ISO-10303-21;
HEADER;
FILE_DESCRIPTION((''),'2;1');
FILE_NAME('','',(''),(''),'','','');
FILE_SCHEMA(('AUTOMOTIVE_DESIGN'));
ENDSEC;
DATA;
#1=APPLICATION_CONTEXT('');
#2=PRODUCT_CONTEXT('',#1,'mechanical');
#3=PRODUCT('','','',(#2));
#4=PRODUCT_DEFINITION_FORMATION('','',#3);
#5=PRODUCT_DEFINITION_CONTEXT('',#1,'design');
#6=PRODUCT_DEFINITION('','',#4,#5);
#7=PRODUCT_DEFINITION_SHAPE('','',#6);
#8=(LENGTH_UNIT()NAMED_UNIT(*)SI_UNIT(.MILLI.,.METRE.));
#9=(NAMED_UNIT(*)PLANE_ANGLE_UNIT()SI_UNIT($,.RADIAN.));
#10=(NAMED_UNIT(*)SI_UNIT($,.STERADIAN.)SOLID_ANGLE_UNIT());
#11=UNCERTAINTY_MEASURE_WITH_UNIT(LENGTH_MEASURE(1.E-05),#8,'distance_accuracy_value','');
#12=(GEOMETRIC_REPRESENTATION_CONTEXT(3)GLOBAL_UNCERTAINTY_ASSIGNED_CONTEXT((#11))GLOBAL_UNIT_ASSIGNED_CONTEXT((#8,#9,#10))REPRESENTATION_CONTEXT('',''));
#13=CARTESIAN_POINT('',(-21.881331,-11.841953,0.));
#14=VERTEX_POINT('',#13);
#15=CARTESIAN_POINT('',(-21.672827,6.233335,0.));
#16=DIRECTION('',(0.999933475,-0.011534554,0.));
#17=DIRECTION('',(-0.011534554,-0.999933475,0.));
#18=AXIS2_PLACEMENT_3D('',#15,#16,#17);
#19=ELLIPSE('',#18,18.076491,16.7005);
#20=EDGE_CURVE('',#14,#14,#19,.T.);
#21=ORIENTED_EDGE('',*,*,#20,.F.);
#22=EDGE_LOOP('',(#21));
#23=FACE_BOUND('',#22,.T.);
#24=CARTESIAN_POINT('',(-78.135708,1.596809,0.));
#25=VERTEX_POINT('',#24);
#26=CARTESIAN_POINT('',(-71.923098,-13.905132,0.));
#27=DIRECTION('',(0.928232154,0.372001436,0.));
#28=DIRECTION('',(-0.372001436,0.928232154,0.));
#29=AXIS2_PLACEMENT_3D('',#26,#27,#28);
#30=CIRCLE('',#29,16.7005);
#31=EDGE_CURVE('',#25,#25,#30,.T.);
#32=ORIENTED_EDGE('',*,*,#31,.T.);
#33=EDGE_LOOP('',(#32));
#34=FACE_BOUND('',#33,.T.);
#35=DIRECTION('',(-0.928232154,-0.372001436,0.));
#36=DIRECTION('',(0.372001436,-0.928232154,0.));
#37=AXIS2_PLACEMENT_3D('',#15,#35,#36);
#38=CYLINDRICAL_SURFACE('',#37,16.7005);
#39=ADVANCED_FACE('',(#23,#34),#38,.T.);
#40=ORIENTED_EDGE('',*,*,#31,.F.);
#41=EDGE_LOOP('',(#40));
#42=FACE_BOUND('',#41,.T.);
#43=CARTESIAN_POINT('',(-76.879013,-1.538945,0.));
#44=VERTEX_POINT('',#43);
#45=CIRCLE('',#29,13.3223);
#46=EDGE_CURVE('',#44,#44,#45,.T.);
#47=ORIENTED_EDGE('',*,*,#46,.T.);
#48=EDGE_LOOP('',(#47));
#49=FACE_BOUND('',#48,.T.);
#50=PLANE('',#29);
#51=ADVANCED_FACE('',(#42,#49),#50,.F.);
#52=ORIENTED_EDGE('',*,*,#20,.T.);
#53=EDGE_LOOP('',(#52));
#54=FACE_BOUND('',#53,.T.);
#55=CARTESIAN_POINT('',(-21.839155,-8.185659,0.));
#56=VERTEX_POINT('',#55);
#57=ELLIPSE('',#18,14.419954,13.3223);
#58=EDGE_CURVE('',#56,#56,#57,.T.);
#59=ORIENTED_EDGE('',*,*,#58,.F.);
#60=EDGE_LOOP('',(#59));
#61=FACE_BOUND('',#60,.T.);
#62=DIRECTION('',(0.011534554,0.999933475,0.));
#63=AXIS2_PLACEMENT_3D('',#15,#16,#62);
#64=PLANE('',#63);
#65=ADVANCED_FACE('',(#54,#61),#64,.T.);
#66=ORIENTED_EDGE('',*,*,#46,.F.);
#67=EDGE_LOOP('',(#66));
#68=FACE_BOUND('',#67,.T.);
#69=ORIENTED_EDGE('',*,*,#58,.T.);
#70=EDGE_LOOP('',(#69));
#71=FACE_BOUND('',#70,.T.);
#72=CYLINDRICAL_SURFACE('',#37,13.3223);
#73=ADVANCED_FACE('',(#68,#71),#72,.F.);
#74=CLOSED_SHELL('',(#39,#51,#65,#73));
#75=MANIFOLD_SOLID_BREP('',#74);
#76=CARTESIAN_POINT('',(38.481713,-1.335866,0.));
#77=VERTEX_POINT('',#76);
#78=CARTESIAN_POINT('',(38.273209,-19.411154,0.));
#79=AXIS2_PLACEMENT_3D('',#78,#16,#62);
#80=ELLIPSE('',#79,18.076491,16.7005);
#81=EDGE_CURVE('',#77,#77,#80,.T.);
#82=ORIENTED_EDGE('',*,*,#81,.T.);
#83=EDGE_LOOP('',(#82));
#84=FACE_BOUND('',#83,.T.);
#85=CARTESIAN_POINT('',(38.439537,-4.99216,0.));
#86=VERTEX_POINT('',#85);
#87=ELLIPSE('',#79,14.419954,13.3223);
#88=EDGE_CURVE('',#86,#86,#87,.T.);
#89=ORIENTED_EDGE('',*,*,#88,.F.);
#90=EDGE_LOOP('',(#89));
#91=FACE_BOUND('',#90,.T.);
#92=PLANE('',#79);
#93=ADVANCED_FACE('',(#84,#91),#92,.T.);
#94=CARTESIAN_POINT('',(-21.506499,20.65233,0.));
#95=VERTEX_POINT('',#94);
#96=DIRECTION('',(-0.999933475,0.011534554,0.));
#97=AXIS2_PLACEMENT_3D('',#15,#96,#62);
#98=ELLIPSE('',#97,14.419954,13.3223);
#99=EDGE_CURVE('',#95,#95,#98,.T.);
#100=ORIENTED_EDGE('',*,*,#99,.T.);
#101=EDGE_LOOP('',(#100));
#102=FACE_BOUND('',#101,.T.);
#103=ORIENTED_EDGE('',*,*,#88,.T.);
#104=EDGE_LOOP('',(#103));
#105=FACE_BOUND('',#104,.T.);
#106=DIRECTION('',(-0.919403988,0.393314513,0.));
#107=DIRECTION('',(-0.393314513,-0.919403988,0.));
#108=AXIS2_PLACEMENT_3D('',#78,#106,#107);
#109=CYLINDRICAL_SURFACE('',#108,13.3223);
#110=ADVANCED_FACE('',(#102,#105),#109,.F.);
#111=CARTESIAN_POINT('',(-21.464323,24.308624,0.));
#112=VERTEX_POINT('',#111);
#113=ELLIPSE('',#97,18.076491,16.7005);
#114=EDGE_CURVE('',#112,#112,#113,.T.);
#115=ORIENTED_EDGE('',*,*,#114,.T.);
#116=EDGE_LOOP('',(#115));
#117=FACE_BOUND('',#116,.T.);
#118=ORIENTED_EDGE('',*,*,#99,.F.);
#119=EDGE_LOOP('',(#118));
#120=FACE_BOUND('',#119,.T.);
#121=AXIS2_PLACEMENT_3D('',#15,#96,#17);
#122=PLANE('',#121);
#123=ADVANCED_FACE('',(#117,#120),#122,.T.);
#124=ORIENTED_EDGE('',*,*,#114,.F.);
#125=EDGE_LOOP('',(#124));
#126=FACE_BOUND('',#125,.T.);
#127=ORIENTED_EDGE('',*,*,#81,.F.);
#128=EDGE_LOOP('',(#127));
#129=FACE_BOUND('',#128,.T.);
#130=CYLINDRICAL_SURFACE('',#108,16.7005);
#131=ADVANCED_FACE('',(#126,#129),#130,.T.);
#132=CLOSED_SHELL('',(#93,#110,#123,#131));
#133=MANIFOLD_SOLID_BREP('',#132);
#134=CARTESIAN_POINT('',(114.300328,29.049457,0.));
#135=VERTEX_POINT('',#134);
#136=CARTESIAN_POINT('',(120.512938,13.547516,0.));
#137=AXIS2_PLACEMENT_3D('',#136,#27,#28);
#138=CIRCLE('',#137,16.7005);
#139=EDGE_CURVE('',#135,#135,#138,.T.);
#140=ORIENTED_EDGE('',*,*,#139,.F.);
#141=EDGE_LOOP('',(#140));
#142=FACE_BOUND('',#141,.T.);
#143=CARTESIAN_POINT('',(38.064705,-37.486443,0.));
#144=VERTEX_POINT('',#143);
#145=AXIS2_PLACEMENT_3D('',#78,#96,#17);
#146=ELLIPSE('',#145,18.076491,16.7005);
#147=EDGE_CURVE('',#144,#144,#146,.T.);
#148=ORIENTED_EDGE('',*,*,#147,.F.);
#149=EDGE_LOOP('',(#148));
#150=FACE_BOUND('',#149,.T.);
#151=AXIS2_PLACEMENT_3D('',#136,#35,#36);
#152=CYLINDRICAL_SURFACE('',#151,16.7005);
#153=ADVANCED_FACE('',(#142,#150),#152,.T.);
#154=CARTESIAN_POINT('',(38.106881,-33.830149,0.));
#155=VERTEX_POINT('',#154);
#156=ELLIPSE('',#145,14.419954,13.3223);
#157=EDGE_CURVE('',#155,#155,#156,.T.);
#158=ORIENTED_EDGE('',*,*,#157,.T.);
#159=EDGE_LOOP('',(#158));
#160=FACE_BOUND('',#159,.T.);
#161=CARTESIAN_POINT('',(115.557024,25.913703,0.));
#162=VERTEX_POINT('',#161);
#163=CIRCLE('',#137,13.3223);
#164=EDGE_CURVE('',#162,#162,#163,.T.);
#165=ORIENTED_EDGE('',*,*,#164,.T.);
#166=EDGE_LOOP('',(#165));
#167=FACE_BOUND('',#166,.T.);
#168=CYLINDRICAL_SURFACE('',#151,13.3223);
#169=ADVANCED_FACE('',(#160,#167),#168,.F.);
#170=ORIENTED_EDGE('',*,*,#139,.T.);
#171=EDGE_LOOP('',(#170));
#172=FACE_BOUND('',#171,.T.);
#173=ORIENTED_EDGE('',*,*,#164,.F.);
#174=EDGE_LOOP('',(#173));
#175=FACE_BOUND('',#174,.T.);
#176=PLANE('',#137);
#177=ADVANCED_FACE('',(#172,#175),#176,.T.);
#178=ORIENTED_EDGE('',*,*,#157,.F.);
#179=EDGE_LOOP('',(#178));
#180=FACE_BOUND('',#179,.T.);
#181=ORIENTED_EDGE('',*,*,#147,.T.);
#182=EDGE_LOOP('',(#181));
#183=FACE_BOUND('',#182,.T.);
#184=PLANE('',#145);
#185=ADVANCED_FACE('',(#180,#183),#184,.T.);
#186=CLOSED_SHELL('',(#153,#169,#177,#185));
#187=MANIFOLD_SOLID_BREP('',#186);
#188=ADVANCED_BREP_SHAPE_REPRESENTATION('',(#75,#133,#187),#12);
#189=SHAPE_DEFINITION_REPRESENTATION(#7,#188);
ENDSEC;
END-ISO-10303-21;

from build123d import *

# Parameters (mm, degrees)
SKETCH13_R                = 16.7005
SKETCH13_R_2              = 13.3223
PIPE_1_0_SCH_40_1_DEPTH   = 64.918382842
SKETCH13_ON_SEGMENT_2_R   = 16.7005
SKETCH13_ON_SEGMENT_2_R_2 = 13.3223
PIPE_1_0_SCH_40_1_2_DEPTH = 86.766827232
SKETCH13_ON_SEGMENT_3_R   = 16.7005
SKETCH13_ON_SEGMENT_3_R_2 = 13.3223
PIPE_1_0_SCH_40_1_3_DEPTH = 99.381160234


with BuildPart() as part:
    # Sketch13 → Pipe 1.0 SCH 40(1) (new body)
    with BuildSketch(Plane(origin=(-71.923098294, -13.905132337, 0), x_dir=(-0.3720014357764754, 0.9282321540327296, 0), z_dir=(0.9282321540327296, 0.3720014357764754, 0))):
        Circle(SKETCH13_R)
        Circle(SKETCH13_R_2, mode=Mode.SUBTRACT)
    extrude(amount=PIPE_1_0_SCH_40_1_DEPTH)

    # Pipe 1.0 SCH 40(1) mitre 1
    split(bisect_by=Plane(origin=(-21.672826953, 6.233335185, 0), x_dir=(-0.011534554, -0.999933475, 0), z_dir=(-0.999933475, 0.011534554, 0)), keep=Keep.TOP)


with BuildPart() as body_2:
    # Sketch13 on segment 2 (carried to segment 2) → Pipe 1.0 SCH 40_1 2 (new body)
    with BuildSketch(Plane(origin=(-31.586692494, 10.47441663, 0), x_dir=(0.393314513, 0.919403988, 0), z_dir=(0.919403988, -0.393314513, 0))):
        Circle(SKETCH13_ON_SEGMENT_2_R)
        Circle(SKETCH13_ON_SEGMENT_2_R_2, mode=Mode.SUBTRACT)
    extrude(amount=PIPE_1_0_SCH_40_1_2_DEPTH)

    # Pipe 1.0 SCH 40_1 2 mitre 1
    split(bisect_by=Plane(origin=(-21.672826953, 6.233335185, 0), x_dir=(0.011534554, 0.999933475, 0), z_dir=(0.999933475, -0.011534554, 0)), keep=Keep.TOP)

    # Pipe 1.0 SCH 40_1 2 mitre 2
    split(bisect_by=Plane(origin=(38.27320899, -19.411154305, 0), x_dir=(-0.011534554, -0.999933475, 0), z_dir=(-0.999933475, 0.011534554, 0)), keep=Keep.TOP)


with BuildPart() as body_3:
    # Sketch13 on segment 3 (carried to segment 3) → Pipe 1.0 SCH 40_1 3 (new body)
    with BuildSketch(Plane(origin=(28.26414999, -23.422418408, 0), x_dir=(-0.372001436, 0.928232154, 0), z_dir=(0.928232154, 0.372001436, 0))):
        Circle(SKETCH13_ON_SEGMENT_3_R)
        Circle(SKETCH13_ON_SEGMENT_3_R_2, mode=Mode.SUBTRACT)
    extrude(amount=PIPE_1_0_SCH_40_1_3_DEPTH)

    # Pipe 1.0 SCH 40_1 3 mitre 1
    split(bisect_by=Plane(origin=(38.27320899, -19.411154305, 0), x_dir=(0.011534554, 0.999933475, 0), z_dir=(0.999933475, -0.011534554, 0)), keep=Keep.TOP)


solid = Compound([part.part, body_2.part, body_3.part])
